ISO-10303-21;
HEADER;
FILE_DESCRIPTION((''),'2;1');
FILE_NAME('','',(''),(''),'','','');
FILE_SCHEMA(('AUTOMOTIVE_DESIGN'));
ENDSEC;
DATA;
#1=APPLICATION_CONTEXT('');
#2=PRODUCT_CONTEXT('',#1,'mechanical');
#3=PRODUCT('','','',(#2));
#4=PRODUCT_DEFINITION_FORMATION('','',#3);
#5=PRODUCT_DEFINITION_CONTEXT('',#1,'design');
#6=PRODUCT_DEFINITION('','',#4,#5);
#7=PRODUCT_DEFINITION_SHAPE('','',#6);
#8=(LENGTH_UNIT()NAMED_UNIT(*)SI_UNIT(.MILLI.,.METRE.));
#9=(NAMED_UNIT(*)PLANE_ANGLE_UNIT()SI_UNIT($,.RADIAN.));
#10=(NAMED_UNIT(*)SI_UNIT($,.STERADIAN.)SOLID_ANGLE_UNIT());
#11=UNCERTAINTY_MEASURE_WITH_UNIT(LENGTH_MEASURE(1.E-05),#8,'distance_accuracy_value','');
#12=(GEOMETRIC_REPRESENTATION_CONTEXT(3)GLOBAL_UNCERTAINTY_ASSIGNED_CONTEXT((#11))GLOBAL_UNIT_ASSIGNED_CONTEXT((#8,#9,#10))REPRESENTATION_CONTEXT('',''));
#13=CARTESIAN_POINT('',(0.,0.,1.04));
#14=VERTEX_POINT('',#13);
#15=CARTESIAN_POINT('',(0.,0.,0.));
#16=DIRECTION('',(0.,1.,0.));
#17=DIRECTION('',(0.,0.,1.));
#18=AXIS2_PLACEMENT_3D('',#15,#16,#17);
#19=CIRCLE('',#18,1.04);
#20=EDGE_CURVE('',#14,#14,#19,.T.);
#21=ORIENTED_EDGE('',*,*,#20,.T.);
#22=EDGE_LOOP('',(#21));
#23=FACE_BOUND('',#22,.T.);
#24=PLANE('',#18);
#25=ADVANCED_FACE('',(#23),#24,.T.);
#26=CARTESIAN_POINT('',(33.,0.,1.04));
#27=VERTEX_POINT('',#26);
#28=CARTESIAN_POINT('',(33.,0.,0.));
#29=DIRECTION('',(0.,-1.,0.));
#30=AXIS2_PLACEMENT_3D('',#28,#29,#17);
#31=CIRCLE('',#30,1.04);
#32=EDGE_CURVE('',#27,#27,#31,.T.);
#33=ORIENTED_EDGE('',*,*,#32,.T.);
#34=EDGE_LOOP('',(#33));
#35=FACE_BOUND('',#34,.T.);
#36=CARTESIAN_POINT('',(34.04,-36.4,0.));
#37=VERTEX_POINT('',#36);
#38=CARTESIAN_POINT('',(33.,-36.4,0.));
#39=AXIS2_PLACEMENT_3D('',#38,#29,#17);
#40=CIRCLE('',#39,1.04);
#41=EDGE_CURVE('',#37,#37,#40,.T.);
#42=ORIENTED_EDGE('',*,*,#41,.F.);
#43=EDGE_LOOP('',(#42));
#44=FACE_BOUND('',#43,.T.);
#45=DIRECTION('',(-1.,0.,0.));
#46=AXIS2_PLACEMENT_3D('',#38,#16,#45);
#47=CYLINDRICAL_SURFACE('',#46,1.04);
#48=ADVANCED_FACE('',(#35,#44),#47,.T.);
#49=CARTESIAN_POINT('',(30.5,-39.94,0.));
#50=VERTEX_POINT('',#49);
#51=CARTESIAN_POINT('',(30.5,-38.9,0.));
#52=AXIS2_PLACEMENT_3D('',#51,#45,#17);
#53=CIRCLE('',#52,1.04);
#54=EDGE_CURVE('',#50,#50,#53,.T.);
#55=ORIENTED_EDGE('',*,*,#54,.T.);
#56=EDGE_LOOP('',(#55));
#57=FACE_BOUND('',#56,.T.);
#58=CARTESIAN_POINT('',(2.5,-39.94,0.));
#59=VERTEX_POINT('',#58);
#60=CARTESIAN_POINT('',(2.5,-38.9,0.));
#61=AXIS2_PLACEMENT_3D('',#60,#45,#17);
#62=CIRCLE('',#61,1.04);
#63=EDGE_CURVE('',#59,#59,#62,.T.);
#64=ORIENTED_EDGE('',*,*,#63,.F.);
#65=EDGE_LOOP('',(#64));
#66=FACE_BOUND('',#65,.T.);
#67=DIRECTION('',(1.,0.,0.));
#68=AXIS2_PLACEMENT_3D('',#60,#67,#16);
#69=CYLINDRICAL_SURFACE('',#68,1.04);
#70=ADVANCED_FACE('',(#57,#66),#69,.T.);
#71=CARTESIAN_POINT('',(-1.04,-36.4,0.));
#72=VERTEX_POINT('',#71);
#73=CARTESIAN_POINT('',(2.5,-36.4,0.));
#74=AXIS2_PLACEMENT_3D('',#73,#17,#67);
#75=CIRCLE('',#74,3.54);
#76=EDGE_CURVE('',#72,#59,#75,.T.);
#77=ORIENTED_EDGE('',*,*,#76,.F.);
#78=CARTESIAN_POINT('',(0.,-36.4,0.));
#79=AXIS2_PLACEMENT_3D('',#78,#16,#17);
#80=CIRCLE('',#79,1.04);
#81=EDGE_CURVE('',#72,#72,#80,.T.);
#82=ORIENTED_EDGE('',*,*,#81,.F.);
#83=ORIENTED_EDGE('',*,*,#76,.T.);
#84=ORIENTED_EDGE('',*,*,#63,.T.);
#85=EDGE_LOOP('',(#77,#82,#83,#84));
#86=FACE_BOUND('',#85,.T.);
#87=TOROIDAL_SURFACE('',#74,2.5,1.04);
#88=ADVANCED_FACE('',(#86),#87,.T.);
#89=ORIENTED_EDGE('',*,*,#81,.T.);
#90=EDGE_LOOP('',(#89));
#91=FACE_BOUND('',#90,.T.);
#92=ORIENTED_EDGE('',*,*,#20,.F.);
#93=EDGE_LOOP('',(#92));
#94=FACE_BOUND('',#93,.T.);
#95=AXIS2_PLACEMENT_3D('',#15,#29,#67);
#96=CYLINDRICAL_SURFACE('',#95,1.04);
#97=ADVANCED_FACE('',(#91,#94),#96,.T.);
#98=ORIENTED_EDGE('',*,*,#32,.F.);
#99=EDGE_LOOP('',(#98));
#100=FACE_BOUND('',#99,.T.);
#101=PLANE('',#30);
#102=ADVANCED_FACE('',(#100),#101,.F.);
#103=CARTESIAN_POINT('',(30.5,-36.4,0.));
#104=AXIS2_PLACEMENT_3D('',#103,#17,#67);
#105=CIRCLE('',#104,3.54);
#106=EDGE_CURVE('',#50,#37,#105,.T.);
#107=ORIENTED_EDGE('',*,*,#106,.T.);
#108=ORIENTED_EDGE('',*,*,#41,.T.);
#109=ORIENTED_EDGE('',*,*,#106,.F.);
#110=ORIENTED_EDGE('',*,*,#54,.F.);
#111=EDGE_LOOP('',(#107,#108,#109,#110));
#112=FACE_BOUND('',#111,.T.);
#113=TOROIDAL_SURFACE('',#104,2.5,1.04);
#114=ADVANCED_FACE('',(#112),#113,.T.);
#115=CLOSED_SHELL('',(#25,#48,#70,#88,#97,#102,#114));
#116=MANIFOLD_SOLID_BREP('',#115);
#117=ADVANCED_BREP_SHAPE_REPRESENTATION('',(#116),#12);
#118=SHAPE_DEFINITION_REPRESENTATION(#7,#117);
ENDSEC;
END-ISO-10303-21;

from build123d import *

# Parameters (mm, degrees)
SKETCH7_R = 1.04


with BuildPart() as part:
    # Sweep2: sweep along a path in Sketch6
    with BuildLine(Plane.XY) as sweep2_path:
        Line((0, 0), (0, -36.4))
        ThreePointArc((0, -36.4), (0.732233047, -38.167766953), (2.5, -38.9))
        Line((2.5, -38.9), (30.5, -38.9))
        ThreePointArc((30.5, -38.9), (32.267766953, -38.167766953), (33, -36.4))
        Line((33, -36.4), (33, 0))
    # Sketch7 → Sweep2 (sweep)
    with BuildSketch(Plane(origin=(0, 0, 0), x_dir=(1, 0, 0), z_dir=(0, 1, 0))):
        Circle(SKETCH7_R)
    sweep(path=sweep2_path.line)


solid = part.part
